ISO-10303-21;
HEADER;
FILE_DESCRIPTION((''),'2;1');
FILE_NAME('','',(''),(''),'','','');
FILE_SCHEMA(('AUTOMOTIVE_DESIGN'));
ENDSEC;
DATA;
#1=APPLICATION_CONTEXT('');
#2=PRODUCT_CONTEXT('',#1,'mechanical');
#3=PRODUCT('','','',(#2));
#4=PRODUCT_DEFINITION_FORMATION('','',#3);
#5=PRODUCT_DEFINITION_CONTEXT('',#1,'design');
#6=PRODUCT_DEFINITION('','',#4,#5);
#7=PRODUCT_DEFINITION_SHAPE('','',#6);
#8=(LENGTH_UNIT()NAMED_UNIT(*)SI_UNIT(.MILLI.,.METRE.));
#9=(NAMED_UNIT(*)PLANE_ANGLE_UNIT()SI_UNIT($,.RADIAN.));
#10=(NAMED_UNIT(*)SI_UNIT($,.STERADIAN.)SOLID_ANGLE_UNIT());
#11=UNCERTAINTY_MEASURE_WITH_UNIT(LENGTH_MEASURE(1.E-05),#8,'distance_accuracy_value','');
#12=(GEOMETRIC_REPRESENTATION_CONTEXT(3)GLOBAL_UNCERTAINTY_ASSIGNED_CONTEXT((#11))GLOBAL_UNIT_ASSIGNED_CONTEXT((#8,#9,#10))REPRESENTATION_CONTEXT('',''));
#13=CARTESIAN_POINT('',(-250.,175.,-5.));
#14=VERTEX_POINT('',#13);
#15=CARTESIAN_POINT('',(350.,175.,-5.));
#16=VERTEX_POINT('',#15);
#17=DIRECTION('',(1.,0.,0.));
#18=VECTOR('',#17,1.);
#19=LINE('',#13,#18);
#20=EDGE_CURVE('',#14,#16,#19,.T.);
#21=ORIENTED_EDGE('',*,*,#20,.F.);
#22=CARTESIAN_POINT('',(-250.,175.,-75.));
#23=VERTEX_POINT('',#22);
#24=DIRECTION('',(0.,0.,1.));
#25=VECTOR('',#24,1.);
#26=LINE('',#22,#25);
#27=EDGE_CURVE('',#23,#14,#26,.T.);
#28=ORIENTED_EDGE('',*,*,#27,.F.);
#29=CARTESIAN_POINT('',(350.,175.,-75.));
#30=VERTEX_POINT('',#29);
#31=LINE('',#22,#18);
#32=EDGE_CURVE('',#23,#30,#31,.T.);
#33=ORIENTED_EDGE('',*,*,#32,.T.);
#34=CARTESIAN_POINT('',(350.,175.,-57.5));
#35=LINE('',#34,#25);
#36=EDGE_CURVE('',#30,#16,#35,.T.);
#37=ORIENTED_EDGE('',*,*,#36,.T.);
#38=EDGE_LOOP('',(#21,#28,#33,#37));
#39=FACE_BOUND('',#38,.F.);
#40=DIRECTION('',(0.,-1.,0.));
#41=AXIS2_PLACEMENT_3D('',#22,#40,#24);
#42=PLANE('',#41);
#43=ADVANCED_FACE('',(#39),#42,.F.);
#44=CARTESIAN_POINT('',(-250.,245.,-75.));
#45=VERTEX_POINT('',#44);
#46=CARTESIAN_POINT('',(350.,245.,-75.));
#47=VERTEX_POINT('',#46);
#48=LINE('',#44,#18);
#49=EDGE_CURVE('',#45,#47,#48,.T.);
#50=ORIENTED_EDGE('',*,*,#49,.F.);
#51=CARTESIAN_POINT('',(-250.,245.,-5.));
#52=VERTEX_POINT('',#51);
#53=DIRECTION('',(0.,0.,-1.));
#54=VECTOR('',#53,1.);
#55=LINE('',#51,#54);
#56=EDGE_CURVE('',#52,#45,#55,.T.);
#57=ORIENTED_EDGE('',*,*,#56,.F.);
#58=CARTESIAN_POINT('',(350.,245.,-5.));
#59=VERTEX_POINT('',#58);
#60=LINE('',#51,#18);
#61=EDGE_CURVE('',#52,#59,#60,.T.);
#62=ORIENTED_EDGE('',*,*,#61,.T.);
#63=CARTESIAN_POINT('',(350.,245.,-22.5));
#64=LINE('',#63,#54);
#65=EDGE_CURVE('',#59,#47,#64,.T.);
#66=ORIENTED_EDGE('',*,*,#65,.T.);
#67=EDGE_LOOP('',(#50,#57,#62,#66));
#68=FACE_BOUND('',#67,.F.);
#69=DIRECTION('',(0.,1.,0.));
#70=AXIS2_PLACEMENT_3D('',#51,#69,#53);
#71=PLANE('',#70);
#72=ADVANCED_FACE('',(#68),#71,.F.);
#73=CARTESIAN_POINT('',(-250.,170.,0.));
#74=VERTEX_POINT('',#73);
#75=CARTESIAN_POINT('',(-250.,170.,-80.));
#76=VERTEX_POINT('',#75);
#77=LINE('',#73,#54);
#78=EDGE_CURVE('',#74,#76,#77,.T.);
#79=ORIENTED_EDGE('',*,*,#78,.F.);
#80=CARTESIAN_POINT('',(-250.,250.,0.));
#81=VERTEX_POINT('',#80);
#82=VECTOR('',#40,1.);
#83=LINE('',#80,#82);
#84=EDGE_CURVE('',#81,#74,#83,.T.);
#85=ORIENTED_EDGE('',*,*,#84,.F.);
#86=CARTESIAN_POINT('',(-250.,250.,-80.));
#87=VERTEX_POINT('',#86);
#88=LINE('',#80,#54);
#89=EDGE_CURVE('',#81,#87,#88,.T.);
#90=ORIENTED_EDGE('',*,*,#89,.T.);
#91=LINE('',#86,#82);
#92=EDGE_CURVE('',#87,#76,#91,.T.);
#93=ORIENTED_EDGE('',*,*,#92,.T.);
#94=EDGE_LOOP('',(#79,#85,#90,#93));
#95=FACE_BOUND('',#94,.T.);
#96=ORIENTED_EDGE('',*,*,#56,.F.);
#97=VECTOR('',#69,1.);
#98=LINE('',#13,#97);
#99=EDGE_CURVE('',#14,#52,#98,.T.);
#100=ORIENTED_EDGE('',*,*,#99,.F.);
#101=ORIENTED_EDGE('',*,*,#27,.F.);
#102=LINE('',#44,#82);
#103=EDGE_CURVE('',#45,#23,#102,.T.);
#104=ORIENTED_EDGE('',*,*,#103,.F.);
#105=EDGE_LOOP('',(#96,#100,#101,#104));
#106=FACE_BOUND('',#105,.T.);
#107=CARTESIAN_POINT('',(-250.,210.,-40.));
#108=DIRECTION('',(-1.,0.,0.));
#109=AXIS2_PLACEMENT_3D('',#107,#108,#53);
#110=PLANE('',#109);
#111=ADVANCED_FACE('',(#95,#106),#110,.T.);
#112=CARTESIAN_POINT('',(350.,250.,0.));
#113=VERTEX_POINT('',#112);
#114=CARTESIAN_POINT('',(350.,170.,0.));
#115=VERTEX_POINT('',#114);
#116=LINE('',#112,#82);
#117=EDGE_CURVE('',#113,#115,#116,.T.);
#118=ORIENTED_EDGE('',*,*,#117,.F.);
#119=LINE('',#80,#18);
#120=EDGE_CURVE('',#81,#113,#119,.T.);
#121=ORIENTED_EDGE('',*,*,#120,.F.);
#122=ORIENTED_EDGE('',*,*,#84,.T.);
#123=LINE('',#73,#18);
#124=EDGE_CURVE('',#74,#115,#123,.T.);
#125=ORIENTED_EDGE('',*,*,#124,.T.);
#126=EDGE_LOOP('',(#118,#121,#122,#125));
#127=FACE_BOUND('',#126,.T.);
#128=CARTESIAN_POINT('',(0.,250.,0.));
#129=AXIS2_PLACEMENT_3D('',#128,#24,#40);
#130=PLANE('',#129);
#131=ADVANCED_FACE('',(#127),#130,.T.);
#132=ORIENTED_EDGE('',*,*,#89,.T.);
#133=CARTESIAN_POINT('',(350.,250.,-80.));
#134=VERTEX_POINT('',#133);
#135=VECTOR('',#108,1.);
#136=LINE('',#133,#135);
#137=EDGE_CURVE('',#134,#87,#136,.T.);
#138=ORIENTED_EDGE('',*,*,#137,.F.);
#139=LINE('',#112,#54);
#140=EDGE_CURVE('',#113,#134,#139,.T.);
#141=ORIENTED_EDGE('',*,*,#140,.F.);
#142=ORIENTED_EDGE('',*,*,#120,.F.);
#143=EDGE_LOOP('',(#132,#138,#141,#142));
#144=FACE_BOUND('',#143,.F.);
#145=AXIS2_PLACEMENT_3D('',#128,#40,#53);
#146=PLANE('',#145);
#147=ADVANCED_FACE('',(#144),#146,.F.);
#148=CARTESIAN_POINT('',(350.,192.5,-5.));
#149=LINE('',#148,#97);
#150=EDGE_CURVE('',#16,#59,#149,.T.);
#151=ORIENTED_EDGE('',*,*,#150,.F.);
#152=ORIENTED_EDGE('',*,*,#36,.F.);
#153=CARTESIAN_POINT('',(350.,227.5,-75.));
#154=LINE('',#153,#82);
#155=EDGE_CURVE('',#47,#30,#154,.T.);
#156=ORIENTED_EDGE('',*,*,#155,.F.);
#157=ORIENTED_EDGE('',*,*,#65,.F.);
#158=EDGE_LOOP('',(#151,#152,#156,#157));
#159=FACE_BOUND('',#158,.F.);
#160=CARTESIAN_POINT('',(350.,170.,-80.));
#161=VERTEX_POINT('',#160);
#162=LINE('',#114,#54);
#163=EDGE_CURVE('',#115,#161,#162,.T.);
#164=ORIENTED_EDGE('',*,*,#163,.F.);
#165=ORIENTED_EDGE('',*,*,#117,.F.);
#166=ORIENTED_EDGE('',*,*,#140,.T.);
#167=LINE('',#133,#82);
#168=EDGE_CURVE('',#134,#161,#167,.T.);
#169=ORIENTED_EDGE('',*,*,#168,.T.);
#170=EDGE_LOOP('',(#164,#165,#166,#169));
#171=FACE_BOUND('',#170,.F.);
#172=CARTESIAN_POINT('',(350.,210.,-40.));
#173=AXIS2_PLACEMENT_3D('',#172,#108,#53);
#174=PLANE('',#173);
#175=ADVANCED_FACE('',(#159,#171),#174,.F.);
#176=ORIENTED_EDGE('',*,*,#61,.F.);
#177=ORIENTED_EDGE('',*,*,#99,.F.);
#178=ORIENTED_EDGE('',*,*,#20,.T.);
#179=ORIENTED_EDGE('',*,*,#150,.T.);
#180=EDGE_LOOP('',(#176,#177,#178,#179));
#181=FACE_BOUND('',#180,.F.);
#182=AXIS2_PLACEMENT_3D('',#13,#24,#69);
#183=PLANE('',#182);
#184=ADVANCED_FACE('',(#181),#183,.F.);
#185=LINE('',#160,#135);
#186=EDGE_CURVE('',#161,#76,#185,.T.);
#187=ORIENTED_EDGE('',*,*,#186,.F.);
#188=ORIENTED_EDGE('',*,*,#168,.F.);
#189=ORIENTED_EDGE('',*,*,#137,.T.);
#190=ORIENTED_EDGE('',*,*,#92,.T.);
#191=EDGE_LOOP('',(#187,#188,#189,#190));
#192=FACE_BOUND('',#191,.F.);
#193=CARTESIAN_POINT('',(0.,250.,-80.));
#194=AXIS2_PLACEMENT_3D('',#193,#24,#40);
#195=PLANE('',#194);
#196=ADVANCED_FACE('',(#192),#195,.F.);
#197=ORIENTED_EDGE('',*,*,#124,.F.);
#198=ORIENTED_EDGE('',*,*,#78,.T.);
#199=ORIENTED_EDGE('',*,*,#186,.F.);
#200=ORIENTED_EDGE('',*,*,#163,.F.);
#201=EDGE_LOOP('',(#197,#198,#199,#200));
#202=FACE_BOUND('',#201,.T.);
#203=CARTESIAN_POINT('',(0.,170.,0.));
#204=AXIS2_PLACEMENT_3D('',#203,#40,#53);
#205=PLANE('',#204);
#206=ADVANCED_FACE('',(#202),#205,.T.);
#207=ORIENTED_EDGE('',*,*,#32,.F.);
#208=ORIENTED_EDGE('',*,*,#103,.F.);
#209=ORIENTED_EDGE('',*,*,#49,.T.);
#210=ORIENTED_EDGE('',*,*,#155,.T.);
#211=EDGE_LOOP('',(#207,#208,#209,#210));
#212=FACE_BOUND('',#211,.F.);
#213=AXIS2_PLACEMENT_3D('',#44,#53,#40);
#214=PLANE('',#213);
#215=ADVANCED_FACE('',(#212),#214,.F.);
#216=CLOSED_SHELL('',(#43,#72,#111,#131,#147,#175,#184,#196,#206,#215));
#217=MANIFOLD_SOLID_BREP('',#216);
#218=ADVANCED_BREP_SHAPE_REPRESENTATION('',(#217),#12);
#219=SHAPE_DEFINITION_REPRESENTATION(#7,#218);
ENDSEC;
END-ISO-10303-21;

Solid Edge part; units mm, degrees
sketch "Sketch1" plane through (0, 0, 0) normal (1, 0, 0) x (0, 1, 0)
  line L0 (250, 0) -> (250, -80)
  line L1 (250, -80) -> (170, -80)
  line L2 (170, 0) -> (170, -80)
  line L3 (250, 0) -> (170, 0)
extrude "Protrusion1" add sketch "Sketch1" against normal up to vertex (250 mm away) and the other way up to vertex (350 mm away)
sketch "Sketch2" plane through (-250, 210, -40) normal (-1, 0, 0) x (0, -1, 0)
  line L0 (-35, 35) -> (-35, -35)
  line L1 (-35, -35) -> (35, -35)
  line L2 (35, -35) -> (35, 35)
  line L3 (35, 35) -> (-35, 35)
extrude "Cutout1" cut sketch "Sketch2" against normal through all
properties material "Fe360"
